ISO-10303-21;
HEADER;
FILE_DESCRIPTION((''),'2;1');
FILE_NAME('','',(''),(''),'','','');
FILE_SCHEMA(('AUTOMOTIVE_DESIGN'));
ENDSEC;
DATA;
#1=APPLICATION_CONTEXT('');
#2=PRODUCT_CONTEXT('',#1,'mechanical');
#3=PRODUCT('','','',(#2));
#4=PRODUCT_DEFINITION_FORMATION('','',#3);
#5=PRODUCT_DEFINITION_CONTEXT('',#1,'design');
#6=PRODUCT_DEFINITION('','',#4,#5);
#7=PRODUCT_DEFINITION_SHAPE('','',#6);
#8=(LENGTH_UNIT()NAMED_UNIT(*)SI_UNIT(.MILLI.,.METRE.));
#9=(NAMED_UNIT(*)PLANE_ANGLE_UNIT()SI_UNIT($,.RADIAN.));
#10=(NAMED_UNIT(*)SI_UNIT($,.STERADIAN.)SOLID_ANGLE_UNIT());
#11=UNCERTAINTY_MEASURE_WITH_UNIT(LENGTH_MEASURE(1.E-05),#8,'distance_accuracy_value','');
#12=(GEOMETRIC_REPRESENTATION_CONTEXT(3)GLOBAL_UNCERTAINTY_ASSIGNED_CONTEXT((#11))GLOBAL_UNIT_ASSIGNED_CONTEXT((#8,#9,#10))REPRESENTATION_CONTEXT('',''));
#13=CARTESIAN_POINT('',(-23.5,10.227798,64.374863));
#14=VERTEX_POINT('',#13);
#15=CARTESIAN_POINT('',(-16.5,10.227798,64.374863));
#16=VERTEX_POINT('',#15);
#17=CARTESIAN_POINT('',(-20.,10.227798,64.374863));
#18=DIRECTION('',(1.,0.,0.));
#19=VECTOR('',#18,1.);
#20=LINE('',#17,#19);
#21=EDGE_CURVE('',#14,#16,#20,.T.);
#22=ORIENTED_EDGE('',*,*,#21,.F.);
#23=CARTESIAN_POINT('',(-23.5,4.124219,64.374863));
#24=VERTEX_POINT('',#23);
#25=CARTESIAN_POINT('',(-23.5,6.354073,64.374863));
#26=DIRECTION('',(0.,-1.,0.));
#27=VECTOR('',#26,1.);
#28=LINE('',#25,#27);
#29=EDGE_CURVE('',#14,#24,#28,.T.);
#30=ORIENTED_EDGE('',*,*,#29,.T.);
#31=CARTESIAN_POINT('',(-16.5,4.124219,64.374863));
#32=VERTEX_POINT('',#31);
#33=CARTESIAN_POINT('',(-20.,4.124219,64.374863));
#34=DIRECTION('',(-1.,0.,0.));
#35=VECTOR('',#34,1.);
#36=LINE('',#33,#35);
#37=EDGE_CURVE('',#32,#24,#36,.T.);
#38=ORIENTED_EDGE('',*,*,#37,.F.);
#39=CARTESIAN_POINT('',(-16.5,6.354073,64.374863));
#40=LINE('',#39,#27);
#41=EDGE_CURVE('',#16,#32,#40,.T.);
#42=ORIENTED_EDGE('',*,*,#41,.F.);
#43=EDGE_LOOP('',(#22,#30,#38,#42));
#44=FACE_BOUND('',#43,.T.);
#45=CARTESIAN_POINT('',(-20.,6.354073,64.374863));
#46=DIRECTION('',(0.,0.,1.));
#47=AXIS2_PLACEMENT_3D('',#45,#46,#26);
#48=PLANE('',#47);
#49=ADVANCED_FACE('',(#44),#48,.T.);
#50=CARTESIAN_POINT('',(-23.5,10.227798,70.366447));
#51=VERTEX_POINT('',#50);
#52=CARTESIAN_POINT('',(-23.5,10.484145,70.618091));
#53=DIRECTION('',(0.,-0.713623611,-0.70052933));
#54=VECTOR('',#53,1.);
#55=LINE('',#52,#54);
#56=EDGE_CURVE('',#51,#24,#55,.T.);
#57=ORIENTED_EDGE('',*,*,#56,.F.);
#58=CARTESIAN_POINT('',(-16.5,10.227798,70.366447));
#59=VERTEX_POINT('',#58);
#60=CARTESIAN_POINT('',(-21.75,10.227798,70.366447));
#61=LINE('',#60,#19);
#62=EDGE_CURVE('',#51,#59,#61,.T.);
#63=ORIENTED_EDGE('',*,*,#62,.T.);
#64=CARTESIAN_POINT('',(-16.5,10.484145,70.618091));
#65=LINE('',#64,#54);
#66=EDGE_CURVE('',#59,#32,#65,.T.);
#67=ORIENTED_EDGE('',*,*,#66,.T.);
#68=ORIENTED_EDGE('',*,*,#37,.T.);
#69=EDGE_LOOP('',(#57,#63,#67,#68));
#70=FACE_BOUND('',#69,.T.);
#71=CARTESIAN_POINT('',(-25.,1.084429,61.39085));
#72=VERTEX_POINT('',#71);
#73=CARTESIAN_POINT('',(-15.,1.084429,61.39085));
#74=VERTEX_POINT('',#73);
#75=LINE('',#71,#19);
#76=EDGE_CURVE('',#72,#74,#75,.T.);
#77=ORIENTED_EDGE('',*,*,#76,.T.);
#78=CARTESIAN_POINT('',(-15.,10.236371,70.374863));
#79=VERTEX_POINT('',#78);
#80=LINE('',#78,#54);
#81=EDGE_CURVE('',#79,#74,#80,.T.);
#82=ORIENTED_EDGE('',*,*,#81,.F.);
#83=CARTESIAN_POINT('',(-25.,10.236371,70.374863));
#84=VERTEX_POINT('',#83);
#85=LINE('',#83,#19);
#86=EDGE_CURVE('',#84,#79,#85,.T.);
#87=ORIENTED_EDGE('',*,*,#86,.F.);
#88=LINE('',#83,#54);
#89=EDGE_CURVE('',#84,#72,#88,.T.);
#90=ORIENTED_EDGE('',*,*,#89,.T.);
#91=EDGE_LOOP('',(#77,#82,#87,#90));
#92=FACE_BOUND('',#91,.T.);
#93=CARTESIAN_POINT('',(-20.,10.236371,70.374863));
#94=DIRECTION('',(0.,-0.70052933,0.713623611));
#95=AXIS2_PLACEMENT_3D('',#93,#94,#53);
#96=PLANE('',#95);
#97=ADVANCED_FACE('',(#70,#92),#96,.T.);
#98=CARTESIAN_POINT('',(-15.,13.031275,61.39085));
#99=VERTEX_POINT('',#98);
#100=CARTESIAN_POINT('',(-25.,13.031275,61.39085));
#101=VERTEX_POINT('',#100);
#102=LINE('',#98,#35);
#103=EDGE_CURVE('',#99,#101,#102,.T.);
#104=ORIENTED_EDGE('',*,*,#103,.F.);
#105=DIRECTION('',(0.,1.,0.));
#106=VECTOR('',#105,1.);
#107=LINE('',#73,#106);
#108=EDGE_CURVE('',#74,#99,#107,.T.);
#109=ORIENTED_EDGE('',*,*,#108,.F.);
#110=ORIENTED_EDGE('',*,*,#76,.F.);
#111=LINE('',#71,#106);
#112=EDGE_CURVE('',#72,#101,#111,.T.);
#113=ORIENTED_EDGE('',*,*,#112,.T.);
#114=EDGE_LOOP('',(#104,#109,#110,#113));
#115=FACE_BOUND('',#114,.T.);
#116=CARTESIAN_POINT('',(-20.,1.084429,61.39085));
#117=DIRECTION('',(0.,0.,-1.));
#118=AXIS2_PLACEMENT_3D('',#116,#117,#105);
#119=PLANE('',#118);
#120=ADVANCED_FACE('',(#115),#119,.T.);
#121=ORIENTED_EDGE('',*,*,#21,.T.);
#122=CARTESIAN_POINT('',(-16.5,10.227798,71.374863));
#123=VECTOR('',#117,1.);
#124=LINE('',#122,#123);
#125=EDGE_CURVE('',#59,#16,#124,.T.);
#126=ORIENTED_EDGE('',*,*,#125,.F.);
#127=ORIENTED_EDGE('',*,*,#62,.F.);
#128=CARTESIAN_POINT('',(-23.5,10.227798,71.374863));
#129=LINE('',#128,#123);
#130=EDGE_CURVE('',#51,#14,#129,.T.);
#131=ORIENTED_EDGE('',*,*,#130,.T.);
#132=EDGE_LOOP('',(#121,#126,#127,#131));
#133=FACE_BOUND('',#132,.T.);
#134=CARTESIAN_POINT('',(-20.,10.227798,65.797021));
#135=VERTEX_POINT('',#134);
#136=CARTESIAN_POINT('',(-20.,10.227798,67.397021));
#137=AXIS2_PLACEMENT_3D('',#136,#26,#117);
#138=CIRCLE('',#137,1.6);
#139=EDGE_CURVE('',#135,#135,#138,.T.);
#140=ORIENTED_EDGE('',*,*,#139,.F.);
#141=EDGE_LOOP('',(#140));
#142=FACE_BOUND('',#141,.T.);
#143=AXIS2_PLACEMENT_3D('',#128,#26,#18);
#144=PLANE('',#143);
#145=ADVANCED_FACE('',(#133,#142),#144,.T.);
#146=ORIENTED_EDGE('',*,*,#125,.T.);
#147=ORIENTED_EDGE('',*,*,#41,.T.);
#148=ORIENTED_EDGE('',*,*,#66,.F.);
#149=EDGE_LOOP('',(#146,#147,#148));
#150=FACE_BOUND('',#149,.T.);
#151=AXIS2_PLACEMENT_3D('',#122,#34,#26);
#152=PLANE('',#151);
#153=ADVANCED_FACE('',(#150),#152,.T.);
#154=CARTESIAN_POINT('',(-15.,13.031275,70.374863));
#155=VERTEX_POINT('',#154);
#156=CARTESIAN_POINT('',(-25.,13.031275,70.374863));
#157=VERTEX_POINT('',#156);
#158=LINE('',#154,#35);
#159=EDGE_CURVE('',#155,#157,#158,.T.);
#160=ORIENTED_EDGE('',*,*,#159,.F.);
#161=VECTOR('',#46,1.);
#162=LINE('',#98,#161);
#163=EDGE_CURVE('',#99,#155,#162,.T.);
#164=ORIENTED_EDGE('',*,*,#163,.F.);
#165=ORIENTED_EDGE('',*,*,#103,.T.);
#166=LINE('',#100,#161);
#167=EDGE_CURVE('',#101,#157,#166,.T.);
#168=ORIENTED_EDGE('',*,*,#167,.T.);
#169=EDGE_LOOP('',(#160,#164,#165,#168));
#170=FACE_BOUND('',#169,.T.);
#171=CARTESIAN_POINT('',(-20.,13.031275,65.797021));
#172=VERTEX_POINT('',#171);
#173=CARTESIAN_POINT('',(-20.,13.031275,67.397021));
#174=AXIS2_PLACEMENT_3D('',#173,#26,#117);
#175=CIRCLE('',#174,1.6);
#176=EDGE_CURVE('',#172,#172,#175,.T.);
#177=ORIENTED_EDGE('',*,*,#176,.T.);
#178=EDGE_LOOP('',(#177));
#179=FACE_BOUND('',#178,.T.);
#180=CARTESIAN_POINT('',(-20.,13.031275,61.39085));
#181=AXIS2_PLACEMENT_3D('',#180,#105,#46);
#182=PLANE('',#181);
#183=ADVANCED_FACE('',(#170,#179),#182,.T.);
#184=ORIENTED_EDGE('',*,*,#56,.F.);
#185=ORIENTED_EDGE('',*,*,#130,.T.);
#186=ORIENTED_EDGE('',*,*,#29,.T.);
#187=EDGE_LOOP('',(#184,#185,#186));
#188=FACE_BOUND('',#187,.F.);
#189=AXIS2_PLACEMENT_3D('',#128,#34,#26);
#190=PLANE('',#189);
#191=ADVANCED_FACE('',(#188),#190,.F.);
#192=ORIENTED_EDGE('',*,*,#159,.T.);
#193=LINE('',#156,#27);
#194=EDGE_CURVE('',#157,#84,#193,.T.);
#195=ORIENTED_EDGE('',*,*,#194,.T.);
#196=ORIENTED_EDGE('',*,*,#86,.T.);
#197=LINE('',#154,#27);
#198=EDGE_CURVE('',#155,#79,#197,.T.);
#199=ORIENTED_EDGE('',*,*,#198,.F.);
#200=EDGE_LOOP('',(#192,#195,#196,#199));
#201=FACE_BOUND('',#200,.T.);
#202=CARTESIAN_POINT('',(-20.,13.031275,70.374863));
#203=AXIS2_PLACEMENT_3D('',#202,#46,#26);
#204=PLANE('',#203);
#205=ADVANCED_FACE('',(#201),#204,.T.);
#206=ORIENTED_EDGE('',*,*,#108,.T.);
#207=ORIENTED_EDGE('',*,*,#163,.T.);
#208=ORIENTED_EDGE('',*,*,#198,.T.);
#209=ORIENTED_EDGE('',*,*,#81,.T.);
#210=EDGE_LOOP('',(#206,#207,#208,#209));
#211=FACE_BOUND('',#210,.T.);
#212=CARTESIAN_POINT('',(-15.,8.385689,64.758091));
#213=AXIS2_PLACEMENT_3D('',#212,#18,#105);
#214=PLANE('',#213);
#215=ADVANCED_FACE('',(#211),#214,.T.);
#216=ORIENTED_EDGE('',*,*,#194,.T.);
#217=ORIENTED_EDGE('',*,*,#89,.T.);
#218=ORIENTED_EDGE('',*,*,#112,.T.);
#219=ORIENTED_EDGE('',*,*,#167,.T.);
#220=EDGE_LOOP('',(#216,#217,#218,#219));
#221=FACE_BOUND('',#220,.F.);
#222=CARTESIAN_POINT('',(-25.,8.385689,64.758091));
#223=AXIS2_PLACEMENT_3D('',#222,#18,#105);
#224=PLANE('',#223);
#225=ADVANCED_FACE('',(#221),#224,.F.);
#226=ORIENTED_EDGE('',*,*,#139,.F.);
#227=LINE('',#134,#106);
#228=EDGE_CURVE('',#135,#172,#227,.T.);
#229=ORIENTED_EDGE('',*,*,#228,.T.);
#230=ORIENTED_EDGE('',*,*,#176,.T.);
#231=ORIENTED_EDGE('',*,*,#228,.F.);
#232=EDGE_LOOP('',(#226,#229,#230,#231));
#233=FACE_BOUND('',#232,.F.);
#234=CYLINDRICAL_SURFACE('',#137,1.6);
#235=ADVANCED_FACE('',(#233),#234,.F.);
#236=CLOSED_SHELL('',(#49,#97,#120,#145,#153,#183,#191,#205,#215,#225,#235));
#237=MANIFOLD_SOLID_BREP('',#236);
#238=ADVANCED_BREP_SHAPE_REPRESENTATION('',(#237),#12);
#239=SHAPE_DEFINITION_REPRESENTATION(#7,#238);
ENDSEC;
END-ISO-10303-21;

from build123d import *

# Parameters (mm, degrees)
PAD019_DEPTH    = 5
SKETCH047_W     = 7.74745
SKETCH047_H     = 7
POCKET015_DEPTH = 7
SKETCH048_R     = 1.6
POCKET016_DEPTH = 5


with BuildPart() as part:
    # Sketch046 → Pad019 (new body, symmetric)
    with BuildSketch(Plane.YZ):
        Polygon((13.031275, 70.374863), (10.236371, 70.374863), (1.084429, 61.39085), (13.031275, 61.39085), align=None)
    extrude(amount=PAD019_DEPTH, both=True)

    # Sketch047 (on DatumPlane) → Pocket015 (cut)
    with BuildSketch(Plane(origin=(0, 0, 71.374863), x_dir=(0, -1, 0), z_dir=(0, 0, 1))):
        with Locations((-6.354073, 0)):
            Rectangle(SKETCH047_W, SKETCH047_H)
    extrude(amount=-POCKET015_DEPTH, mode=Mode.SUBTRACT)

    # Sketch048 (on Face9 of Pocket015) → Pocket016 (cut)
    with BuildSketch(Plane(origin=(0, 10.227798, 0), x_dir=(0, 0, -1), z_dir=(0, -1, 0))):
        with Locations((-67.397021, 0)):
            Circle(SKETCH048_R)
    extrude(amount=-POCKET016_DEPTH, mode=Mode.SUBTRACT)


with BuildPart() as part_1:
    # Body021 placement: moved
    add(part.part.moved(Location((20, 0, 0))))


with BuildPart() as part_2:
    # Body022 placement: moved
    add(part_1.part.moved(Location((-40, 0, 0))))


solid = part_2.part
